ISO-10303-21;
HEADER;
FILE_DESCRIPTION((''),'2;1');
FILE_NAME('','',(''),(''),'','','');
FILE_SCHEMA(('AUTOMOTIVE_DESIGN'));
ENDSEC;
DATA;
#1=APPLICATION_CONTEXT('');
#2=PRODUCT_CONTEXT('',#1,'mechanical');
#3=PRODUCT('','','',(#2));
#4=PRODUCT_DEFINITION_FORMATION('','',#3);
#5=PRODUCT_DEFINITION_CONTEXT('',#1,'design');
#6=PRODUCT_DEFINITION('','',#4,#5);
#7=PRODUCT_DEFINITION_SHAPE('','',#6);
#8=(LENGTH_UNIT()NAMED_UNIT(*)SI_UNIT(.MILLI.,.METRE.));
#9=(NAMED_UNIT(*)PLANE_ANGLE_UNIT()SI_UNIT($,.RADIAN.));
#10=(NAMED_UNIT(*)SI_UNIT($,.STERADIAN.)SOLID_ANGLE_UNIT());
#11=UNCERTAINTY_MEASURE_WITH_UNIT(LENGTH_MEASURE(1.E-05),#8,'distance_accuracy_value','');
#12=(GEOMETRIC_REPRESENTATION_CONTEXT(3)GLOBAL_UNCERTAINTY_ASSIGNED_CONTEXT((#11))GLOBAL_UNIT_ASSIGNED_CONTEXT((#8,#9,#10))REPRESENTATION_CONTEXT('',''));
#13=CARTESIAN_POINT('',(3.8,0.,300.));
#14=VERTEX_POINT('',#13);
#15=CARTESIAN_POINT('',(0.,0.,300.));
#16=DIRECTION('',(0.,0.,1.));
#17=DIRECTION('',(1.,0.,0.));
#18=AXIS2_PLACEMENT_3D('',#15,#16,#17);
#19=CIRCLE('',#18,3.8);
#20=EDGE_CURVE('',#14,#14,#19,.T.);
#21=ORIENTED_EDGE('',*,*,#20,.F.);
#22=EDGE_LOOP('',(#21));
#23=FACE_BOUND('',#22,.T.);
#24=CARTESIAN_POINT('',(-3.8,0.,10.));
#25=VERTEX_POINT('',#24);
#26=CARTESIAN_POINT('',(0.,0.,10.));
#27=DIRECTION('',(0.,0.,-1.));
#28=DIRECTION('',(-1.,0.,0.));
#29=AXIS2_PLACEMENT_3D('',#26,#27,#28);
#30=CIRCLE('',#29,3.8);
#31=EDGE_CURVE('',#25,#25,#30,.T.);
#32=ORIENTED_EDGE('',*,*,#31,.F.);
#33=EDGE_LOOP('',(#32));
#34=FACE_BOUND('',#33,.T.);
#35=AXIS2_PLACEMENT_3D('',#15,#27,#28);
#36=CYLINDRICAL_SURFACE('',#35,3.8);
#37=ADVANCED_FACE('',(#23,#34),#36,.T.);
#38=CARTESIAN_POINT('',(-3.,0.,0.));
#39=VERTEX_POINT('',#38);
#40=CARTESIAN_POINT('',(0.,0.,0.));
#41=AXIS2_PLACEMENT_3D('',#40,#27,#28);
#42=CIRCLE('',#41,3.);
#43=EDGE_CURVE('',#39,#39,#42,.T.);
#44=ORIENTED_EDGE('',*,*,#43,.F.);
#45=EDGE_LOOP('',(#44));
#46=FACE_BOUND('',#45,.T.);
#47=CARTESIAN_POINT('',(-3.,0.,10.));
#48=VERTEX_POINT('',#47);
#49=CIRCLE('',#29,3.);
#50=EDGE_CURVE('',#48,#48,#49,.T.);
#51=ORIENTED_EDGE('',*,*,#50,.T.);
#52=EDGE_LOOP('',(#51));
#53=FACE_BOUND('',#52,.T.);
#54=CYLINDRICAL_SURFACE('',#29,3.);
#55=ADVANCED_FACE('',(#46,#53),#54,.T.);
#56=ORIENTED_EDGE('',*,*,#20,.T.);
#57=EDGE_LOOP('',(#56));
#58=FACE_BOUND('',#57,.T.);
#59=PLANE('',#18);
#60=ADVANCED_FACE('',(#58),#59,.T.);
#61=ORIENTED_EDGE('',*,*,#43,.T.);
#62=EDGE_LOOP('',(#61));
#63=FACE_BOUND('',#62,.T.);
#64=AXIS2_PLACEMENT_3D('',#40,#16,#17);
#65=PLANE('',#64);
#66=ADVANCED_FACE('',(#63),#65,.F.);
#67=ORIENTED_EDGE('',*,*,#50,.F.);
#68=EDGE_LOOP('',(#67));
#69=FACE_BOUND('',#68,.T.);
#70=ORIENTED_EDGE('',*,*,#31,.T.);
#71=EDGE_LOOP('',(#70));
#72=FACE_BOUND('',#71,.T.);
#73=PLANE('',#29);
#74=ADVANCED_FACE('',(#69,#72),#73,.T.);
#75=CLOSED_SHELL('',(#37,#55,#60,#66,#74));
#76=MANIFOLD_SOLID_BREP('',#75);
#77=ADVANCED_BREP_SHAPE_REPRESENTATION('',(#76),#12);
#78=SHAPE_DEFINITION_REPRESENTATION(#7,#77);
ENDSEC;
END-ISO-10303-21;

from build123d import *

# Parameters (mm, degrees)
SKETCH1_R           = 3.8
BOSS_EXTRUDE1_DEPTH = 300
SKETCH2_OUTSIDE_W   = 69.638
SKETCH2_OUTSIDE_H   = 69.638
SKETCH2_OUTSIDE_R   = 3
CUT_EXTRUDE1_DEPTH  = 10


with BuildPart() as part:
    # Sketch1 → Boss-Extrude1 (new body)
    with BuildSketch(Plane.XY):
        Circle(SKETCH1_R)
    extrude(amount=BOSS_EXTRUDE1_DEPTH)

    # Sketch2 outside → Cut-Extrude1 (cut)
    with BuildSketch(Plane(origin=(0, 0, 0), x_dir=(-1, 0, 0), z_dir=(0, 0, -1))):
        Rectangle(SKETCH2_OUTSIDE_W, SKETCH2_OUTSIDE_H)
        Circle(SKETCH2_OUTSIDE_R, mode=Mode.SUBTRACT)
    extrude(amount=-CUT_EXTRUDE1_DEPTH, mode=Mode.SUBTRACT)


solid = part.part
